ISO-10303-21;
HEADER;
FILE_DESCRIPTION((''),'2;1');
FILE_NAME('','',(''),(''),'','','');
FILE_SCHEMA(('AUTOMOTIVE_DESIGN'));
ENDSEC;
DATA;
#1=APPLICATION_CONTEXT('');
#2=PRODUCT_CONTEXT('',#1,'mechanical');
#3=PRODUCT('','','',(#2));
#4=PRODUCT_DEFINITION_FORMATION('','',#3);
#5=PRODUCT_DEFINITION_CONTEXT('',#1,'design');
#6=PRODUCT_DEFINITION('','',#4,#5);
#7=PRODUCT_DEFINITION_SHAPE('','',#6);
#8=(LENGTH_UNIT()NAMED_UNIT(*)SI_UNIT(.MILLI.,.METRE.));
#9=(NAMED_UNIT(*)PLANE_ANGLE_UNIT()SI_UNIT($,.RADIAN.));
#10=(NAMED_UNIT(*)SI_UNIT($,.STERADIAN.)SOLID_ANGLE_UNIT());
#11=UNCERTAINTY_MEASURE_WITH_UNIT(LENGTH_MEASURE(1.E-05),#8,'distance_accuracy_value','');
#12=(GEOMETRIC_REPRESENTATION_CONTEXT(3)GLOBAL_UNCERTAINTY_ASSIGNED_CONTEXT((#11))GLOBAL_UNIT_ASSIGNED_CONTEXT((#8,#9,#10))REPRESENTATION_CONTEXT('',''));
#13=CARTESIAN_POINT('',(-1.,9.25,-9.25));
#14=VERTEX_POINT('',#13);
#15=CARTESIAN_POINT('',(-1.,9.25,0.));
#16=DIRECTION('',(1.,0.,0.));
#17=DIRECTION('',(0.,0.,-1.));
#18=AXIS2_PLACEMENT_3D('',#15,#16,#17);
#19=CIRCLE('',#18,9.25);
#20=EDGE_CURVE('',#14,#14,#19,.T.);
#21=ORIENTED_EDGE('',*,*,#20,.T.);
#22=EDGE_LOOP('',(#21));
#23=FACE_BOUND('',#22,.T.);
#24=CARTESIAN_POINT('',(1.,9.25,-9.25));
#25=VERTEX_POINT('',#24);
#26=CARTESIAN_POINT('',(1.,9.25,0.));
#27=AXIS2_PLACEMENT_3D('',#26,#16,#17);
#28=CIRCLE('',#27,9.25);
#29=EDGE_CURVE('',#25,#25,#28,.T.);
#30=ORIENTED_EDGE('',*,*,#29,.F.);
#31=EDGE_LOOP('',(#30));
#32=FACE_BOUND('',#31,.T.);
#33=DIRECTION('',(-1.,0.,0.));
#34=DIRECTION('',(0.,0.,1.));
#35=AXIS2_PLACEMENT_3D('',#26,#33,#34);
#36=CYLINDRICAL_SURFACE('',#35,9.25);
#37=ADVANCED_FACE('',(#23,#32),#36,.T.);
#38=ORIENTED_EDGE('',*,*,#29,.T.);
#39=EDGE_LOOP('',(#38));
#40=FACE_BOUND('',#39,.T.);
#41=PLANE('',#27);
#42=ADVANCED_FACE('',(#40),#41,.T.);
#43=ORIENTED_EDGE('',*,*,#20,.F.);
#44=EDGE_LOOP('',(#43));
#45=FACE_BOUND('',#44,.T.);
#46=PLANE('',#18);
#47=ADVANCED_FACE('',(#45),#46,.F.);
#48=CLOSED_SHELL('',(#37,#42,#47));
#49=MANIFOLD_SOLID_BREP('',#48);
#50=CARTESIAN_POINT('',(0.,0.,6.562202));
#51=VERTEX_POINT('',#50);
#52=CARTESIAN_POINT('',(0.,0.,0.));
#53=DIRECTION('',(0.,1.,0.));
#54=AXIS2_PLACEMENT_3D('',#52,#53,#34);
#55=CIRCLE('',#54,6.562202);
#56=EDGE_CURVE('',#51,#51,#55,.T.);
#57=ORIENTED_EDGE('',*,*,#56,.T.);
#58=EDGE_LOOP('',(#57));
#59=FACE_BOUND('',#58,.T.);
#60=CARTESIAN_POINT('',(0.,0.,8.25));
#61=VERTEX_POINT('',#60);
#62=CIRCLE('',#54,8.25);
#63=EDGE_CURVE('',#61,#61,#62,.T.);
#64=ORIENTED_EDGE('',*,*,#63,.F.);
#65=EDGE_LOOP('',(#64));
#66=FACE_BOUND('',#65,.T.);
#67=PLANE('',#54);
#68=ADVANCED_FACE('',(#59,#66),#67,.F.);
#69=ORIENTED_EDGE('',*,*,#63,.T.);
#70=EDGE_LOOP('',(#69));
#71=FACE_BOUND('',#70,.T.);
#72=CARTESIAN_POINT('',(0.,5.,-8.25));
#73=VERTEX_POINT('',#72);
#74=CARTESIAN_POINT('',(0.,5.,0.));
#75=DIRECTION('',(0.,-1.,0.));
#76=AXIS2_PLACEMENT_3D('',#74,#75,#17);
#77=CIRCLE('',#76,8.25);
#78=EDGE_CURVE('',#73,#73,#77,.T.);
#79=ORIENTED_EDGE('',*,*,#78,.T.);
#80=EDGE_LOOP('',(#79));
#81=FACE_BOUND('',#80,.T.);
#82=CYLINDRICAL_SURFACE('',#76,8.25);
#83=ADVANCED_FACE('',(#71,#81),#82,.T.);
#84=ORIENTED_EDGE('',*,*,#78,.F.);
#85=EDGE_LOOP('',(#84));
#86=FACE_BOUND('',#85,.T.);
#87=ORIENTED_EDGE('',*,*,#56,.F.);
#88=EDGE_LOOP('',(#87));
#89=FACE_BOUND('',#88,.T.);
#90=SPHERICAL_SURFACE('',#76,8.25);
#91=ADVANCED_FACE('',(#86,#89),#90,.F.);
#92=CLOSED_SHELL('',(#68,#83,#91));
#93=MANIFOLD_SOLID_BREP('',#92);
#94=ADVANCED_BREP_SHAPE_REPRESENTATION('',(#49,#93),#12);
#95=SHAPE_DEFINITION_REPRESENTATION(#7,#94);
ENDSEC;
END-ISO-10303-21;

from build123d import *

# Parameters (mm, degrees)
CROQUIS1_R               = 8.25
SALIENTE_EXTRUIR1_DEPTH  = 5
CORTAR_REVOLUCI_N3_ANGLE = 180
CROQUIS3_R               = 9.25
SALIENTE_EXTRUIR3_DEPTH  = 1


with BuildPart() as part:
    # Croquis1 → Saliente-Extruir1 (new body)
    with BuildSketch(Plane(origin=(0, 0, 0), x_dir=(1, 0, 0), z_dir=(0, 1, 0))):
        Circle(CROQUIS1_R)
    extrude(amount=SALIENTE_EXTRUIR1_DEPTH)

    # Croquis4 → Cortar-Revolución3 (revolve, cut)
    with BuildSketch(Plane(origin=(0, 5, 0), x_dir=(1, 0, 0), z_dir=(0, 1, 0))):
        with BuildLine():
            Line((8.25, 0), (-8.25, 0))
            ThreePointArc((-8.25, 0), (0, 8.25), (8.25, 0))
        make_face()
    revolve(axis=Axis((8.25, 5, 0), (-1, 0, 0)), revolution_arc=CORTAR_REVOLUCI_N3_ANGLE, mode=Mode.SUBTRACT)


with BuildPart() as body_2:
    # Croquis3 → Saliente-Extruir3 (new body, symmetric)
    with BuildSketch(Plane(origin=(0, 0, 0), x_dir=(0, 0, -1), z_dir=(1, 0, 0))):
        with Locations((0, 9.25)):
            Circle(CROQUIS3_R)
    extrude(amount=SALIENTE_EXTRUIR3_DEPTH, both=True)


solid = Compound([part.part, body_2.part])
